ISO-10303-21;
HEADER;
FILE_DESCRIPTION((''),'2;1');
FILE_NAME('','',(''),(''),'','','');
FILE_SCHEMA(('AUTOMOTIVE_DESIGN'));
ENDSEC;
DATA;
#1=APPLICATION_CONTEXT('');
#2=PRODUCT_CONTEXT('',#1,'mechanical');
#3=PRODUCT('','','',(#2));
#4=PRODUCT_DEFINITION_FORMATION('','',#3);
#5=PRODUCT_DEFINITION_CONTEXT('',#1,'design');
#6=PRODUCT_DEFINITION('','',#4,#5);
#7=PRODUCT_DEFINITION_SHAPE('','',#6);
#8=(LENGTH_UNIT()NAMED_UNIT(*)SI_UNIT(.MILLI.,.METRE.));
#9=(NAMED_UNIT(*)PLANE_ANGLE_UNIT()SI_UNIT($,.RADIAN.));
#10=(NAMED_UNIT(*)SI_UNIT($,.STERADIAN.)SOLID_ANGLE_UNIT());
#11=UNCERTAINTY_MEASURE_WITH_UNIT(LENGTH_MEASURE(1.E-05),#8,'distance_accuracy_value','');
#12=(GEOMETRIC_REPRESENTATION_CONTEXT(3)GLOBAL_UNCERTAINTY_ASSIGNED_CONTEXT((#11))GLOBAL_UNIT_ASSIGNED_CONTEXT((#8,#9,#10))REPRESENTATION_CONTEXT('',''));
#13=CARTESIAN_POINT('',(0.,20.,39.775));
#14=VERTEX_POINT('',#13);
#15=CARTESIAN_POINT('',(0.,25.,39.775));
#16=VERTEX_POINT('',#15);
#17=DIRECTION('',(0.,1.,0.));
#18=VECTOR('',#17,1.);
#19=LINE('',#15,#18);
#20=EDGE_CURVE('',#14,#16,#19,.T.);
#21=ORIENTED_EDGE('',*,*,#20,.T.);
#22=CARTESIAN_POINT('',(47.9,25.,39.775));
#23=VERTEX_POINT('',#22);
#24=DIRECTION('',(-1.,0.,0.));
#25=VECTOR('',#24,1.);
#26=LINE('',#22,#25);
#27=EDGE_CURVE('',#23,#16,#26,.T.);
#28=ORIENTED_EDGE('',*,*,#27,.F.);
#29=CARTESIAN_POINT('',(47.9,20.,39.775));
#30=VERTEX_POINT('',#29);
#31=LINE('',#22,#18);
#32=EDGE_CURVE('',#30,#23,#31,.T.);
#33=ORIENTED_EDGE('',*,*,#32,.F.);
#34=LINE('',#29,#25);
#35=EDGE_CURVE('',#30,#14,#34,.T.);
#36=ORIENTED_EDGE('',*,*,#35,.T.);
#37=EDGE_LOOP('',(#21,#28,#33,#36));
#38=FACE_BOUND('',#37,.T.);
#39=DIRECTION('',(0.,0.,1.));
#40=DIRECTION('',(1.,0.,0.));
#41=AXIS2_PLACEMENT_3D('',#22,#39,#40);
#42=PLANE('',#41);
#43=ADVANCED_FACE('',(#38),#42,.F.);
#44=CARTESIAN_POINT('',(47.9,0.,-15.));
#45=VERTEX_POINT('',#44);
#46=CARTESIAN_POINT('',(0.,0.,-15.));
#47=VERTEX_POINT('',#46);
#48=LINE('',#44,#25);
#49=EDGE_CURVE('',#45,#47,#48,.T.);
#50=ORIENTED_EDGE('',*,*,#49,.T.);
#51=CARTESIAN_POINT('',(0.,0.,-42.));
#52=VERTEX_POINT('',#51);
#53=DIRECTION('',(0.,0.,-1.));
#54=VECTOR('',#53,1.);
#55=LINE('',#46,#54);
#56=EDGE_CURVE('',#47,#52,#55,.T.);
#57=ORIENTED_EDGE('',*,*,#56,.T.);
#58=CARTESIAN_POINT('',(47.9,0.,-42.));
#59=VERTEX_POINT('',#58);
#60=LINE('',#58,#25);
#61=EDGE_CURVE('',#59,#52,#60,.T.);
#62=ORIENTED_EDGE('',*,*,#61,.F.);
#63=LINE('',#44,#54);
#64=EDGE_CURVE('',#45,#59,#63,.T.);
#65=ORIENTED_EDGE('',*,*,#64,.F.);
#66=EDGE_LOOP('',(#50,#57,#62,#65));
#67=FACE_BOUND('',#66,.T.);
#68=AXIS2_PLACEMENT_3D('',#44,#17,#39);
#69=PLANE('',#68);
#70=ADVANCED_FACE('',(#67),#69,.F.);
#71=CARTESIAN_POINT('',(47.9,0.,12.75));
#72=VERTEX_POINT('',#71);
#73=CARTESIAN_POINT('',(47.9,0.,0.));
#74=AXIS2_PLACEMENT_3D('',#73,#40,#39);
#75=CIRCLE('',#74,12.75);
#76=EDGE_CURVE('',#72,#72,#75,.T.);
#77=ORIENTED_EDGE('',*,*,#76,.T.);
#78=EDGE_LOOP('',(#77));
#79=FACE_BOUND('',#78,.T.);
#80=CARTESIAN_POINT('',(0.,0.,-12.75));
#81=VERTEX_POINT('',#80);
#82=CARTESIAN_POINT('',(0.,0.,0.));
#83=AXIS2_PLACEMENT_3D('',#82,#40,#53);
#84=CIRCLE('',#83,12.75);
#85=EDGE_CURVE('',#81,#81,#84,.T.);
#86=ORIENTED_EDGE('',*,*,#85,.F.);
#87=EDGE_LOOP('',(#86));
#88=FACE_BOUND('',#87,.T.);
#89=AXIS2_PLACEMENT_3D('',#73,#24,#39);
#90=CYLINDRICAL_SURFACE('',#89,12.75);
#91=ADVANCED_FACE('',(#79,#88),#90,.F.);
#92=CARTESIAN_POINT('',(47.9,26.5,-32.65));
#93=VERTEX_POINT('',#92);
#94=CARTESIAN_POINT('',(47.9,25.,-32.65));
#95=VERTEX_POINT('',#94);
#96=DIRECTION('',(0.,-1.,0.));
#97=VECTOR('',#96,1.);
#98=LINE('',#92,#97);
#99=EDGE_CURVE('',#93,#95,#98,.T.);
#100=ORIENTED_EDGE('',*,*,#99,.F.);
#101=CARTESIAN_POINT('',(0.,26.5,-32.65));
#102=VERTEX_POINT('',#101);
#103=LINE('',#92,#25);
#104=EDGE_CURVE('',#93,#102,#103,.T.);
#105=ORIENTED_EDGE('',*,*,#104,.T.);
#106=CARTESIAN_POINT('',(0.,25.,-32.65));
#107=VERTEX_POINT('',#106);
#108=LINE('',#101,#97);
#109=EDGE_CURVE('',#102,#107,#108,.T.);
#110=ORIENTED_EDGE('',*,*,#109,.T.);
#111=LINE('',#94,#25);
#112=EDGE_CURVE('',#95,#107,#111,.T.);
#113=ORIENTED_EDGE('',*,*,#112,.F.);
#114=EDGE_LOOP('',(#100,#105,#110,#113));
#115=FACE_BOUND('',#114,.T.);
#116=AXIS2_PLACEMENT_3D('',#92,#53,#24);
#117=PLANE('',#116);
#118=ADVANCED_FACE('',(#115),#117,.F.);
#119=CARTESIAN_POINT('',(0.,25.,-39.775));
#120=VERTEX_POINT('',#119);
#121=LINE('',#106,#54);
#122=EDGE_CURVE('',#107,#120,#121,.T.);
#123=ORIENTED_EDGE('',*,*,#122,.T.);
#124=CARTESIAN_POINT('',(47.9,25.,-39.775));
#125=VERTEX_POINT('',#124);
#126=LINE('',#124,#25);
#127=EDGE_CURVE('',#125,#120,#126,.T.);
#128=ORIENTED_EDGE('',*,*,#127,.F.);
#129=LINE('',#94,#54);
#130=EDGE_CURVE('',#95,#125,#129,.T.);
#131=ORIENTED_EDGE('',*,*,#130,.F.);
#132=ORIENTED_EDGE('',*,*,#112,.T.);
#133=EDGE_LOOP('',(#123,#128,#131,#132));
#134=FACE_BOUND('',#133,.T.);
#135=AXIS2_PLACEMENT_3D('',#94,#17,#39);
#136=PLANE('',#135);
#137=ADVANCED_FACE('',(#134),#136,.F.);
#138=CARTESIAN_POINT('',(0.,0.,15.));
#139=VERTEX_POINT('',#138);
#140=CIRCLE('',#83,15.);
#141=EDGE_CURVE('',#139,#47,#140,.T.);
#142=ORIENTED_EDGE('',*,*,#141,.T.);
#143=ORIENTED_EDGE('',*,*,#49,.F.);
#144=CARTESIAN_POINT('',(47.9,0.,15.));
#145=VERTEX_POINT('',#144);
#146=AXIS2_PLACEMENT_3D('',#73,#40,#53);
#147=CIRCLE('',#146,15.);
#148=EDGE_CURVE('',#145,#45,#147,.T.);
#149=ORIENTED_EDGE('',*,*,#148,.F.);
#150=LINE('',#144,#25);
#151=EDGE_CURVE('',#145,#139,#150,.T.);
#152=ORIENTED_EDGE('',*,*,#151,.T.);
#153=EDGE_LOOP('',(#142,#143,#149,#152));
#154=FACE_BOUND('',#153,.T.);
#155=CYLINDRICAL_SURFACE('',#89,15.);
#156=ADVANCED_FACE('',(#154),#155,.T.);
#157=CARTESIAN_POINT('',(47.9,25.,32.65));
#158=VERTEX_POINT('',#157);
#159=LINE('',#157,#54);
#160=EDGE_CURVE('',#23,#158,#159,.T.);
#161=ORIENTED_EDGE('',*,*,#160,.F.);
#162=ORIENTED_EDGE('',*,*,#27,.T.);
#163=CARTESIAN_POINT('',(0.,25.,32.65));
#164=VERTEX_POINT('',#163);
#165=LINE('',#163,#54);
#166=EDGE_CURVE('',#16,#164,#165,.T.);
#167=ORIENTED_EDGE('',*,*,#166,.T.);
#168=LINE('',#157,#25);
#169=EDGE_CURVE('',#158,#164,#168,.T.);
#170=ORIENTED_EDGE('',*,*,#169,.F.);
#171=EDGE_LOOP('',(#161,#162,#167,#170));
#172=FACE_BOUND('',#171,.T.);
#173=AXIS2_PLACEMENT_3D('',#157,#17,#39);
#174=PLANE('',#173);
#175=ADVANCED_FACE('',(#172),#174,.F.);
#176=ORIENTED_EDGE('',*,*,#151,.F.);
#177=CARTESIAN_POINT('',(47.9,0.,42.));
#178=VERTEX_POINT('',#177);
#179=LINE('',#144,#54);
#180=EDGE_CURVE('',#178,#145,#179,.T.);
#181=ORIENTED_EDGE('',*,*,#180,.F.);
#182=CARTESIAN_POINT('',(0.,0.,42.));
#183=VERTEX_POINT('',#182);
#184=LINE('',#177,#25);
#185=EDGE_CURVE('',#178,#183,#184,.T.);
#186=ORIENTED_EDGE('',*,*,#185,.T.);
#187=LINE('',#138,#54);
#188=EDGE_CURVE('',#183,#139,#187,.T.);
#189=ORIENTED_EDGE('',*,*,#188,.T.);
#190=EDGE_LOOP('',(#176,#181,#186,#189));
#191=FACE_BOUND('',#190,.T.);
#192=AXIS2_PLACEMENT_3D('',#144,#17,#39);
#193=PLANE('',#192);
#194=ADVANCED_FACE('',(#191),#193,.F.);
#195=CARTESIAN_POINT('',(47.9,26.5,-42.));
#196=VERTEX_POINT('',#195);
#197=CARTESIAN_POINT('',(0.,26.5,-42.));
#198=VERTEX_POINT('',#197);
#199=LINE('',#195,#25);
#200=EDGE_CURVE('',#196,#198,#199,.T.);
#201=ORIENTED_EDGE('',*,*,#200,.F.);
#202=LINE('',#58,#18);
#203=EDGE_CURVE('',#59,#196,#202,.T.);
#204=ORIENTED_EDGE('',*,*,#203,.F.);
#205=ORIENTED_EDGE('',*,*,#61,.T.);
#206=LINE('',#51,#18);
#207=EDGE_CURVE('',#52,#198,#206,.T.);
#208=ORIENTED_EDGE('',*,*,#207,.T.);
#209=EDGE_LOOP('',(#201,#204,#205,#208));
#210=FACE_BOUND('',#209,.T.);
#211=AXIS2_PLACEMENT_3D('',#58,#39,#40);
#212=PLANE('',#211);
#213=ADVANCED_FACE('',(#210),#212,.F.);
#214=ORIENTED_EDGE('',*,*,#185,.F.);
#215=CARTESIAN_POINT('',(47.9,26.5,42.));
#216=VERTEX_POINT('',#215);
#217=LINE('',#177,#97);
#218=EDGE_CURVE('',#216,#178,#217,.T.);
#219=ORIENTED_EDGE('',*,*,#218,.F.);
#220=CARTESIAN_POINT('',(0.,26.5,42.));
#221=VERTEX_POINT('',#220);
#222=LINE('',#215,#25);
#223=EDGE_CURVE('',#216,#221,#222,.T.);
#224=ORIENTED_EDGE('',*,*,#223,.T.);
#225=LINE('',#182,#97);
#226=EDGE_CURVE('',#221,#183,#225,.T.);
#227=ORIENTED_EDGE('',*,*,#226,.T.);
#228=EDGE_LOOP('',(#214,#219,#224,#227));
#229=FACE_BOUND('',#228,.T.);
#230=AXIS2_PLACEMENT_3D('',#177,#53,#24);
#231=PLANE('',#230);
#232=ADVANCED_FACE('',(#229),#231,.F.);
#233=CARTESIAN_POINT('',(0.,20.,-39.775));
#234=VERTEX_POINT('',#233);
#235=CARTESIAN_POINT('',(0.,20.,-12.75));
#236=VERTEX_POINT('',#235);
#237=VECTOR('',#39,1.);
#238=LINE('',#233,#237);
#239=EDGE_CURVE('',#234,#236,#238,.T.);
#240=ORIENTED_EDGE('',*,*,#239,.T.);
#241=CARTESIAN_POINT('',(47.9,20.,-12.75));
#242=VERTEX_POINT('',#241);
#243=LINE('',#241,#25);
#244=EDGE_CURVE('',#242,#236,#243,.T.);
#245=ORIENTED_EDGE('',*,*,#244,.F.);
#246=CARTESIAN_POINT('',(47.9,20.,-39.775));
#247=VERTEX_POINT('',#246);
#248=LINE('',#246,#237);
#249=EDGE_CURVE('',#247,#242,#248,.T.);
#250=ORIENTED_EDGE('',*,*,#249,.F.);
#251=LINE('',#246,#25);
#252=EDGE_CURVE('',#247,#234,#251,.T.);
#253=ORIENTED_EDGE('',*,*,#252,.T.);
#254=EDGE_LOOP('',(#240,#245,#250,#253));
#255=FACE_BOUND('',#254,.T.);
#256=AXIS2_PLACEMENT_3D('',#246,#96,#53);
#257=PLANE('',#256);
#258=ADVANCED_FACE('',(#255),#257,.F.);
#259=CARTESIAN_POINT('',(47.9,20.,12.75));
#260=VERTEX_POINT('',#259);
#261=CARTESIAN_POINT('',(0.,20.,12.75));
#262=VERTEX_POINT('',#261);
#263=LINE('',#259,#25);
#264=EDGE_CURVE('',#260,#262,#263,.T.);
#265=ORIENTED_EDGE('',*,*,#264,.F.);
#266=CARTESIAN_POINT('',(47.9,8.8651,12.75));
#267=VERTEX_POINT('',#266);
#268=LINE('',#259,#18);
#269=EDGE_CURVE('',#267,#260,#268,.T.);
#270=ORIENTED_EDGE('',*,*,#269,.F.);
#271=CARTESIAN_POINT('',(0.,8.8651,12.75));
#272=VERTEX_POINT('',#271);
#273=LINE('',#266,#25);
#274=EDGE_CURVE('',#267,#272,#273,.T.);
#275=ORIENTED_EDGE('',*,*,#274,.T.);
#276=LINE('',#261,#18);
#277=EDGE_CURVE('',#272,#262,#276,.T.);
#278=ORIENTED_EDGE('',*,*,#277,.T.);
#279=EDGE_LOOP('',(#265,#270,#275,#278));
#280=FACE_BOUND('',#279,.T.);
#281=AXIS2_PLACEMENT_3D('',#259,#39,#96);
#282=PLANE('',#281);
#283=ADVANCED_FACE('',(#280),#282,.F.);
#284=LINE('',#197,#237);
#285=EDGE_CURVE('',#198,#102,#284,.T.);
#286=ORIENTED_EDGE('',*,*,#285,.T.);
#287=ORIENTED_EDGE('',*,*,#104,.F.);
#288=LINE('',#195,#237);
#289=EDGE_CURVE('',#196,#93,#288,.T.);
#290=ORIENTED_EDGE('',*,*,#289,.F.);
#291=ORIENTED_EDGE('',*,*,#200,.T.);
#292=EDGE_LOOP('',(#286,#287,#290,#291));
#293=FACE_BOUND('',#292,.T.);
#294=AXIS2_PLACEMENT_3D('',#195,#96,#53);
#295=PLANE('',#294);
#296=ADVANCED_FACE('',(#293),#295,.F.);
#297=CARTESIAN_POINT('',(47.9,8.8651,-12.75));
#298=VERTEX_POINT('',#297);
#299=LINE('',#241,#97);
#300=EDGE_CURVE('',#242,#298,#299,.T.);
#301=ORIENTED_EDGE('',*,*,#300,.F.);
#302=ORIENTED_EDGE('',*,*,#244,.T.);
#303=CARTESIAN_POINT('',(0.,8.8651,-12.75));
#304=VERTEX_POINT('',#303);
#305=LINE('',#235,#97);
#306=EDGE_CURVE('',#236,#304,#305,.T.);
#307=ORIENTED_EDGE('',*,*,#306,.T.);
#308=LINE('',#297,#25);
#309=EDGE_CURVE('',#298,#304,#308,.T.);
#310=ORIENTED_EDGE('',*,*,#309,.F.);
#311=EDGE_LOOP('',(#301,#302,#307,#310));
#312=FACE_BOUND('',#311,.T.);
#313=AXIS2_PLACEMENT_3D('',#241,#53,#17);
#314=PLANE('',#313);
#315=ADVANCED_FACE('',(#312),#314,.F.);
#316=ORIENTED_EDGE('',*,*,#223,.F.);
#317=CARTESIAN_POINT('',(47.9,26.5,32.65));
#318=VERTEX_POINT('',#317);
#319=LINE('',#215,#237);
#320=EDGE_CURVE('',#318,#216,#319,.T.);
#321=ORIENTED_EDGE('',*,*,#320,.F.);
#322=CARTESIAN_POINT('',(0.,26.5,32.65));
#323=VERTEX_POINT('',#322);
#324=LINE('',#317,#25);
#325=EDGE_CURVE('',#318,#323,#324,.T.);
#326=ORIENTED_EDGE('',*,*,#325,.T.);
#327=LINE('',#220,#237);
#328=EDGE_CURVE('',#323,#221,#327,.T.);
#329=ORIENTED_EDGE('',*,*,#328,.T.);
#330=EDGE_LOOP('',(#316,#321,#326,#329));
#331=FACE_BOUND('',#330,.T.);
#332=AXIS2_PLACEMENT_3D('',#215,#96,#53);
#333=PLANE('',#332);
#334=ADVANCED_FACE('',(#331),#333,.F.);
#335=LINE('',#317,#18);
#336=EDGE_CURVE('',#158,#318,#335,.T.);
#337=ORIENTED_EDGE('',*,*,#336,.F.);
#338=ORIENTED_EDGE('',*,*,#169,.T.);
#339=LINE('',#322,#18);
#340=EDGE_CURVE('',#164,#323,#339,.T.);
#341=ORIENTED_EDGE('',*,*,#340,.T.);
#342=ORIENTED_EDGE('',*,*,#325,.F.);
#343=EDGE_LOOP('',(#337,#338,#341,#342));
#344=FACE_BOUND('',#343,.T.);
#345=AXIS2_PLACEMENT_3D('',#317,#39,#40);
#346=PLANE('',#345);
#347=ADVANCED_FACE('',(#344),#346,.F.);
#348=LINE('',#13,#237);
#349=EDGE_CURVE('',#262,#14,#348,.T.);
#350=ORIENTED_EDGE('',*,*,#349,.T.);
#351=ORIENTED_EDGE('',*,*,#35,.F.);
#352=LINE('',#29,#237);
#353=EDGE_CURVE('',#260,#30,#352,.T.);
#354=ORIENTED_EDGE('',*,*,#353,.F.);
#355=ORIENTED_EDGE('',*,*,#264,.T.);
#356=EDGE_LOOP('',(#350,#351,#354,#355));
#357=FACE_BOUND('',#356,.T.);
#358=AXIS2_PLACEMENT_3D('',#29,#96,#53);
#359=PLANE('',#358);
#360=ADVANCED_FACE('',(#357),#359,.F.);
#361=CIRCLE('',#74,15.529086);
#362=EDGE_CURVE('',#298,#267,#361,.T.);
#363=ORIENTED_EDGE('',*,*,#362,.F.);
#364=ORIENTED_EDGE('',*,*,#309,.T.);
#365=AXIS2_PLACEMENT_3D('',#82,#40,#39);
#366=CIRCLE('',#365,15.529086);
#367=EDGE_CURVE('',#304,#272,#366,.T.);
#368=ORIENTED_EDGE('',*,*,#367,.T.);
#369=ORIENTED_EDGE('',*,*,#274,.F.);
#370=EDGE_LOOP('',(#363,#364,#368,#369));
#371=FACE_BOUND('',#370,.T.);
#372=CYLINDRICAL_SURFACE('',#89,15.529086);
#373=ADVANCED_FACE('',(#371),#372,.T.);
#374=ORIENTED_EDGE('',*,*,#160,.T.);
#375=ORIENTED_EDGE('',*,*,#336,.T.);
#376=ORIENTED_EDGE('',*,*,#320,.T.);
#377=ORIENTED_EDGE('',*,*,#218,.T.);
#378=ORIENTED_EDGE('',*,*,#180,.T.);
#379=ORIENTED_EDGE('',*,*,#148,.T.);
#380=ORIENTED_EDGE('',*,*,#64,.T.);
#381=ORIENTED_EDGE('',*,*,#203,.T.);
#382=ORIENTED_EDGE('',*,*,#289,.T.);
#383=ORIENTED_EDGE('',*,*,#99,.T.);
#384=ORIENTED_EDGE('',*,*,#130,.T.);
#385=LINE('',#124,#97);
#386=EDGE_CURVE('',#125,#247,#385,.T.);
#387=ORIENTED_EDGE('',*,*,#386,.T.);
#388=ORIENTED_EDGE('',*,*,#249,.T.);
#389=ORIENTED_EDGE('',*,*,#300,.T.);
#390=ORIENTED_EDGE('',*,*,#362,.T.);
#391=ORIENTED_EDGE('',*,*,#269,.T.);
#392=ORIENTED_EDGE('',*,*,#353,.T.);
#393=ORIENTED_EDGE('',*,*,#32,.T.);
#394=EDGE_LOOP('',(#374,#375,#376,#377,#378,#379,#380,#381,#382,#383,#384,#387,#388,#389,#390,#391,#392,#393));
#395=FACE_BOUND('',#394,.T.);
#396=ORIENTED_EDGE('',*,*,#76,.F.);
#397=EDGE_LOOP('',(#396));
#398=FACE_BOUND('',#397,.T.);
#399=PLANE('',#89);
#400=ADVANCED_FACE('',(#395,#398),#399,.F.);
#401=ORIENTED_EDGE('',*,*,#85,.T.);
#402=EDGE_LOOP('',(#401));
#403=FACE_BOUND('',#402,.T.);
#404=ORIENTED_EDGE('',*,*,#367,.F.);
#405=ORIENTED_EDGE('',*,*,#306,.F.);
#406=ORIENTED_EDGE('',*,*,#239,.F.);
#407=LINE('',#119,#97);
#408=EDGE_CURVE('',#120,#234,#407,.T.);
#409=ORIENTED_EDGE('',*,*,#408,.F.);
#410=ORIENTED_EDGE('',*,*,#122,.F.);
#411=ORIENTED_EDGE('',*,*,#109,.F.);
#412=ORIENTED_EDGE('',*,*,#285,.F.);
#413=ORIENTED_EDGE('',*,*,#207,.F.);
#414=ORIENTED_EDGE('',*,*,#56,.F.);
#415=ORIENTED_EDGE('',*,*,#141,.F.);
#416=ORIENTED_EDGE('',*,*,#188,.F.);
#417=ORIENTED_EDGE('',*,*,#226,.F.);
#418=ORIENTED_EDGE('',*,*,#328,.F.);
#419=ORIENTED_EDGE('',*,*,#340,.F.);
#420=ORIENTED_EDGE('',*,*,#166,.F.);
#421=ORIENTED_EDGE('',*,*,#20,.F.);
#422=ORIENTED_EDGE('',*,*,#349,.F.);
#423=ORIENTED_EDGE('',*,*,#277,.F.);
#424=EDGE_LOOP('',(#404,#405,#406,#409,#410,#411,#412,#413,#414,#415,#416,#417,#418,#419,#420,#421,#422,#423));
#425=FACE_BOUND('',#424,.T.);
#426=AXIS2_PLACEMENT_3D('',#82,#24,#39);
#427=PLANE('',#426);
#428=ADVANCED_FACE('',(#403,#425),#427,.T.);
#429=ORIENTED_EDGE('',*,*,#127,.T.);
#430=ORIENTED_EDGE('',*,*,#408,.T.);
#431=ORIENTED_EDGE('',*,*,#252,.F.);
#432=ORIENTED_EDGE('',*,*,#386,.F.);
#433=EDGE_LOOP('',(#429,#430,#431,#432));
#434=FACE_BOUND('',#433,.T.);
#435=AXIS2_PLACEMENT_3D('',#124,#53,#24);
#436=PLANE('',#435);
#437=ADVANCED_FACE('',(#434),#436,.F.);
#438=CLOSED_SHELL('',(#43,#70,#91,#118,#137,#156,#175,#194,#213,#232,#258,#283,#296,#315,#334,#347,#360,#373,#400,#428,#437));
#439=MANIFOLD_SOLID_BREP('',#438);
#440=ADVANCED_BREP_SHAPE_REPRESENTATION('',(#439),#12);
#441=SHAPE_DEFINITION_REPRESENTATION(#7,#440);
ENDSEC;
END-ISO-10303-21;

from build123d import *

# Parameters (mm, degrees)
BOSS_EXTRUDE1_DEPTH = 47.9


with BuildPart() as part:
    # Sketch1 → Boss-Extrude1 (new body)
    with BuildSketch(Plane(origin=(0, 0, 0), x_dir=(0, 0, -1), z_dir=(1, 0, 0))):
        with BuildLine():
            Line((-15, 0), (-42, 0))
            Line((-42, 0), (-42, 26.5))
            Line((-42, 26.5), (-32.65, 26.5))
            Line((-32.65, 26.5), (-32.65, 25))
            Line((-32.65, 25), (-39.775, 25))
            Line((-39.775, 25), (-39.775, 20))
            Line((-39.775, 20), (-12.75, 20))
            Line((-12.75, 20), (-12.75, 8.865100112))
            ThreePointArc((-12.75, 8.865100112), (0, 15.529085614), (12.75, 8.865100112))
            Line((12.75, 8.865100112), (12.75, 20))
            Line((12.75, 20), (39.775, 20))
            Line((39.775, 20), (39.775, 25))
            Line((39.775, 25), (32.65, 25))
            Line((32.65, 25), (32.65, 26.5))
            Line((32.65, 26.5), (42, 26.5))
            Line((42, 26.5), (42, 0))
            Line((42, 0), (15, 0))
            ThreePointArc((15, 0), (0, -15), (-15, 0))
        make_face()
        with BuildLine():
            ThreePointArc((-12.75, 0), (0, -12.75), (12.75, 0))
            ThreePointArc((12.75, 0), (0, 12.75), (-12.75, 0))
        make_face(mode=Mode.SUBTRACT)
    extrude(amount=BOSS_EXTRUDE1_DEPTH)


solid = part.part
